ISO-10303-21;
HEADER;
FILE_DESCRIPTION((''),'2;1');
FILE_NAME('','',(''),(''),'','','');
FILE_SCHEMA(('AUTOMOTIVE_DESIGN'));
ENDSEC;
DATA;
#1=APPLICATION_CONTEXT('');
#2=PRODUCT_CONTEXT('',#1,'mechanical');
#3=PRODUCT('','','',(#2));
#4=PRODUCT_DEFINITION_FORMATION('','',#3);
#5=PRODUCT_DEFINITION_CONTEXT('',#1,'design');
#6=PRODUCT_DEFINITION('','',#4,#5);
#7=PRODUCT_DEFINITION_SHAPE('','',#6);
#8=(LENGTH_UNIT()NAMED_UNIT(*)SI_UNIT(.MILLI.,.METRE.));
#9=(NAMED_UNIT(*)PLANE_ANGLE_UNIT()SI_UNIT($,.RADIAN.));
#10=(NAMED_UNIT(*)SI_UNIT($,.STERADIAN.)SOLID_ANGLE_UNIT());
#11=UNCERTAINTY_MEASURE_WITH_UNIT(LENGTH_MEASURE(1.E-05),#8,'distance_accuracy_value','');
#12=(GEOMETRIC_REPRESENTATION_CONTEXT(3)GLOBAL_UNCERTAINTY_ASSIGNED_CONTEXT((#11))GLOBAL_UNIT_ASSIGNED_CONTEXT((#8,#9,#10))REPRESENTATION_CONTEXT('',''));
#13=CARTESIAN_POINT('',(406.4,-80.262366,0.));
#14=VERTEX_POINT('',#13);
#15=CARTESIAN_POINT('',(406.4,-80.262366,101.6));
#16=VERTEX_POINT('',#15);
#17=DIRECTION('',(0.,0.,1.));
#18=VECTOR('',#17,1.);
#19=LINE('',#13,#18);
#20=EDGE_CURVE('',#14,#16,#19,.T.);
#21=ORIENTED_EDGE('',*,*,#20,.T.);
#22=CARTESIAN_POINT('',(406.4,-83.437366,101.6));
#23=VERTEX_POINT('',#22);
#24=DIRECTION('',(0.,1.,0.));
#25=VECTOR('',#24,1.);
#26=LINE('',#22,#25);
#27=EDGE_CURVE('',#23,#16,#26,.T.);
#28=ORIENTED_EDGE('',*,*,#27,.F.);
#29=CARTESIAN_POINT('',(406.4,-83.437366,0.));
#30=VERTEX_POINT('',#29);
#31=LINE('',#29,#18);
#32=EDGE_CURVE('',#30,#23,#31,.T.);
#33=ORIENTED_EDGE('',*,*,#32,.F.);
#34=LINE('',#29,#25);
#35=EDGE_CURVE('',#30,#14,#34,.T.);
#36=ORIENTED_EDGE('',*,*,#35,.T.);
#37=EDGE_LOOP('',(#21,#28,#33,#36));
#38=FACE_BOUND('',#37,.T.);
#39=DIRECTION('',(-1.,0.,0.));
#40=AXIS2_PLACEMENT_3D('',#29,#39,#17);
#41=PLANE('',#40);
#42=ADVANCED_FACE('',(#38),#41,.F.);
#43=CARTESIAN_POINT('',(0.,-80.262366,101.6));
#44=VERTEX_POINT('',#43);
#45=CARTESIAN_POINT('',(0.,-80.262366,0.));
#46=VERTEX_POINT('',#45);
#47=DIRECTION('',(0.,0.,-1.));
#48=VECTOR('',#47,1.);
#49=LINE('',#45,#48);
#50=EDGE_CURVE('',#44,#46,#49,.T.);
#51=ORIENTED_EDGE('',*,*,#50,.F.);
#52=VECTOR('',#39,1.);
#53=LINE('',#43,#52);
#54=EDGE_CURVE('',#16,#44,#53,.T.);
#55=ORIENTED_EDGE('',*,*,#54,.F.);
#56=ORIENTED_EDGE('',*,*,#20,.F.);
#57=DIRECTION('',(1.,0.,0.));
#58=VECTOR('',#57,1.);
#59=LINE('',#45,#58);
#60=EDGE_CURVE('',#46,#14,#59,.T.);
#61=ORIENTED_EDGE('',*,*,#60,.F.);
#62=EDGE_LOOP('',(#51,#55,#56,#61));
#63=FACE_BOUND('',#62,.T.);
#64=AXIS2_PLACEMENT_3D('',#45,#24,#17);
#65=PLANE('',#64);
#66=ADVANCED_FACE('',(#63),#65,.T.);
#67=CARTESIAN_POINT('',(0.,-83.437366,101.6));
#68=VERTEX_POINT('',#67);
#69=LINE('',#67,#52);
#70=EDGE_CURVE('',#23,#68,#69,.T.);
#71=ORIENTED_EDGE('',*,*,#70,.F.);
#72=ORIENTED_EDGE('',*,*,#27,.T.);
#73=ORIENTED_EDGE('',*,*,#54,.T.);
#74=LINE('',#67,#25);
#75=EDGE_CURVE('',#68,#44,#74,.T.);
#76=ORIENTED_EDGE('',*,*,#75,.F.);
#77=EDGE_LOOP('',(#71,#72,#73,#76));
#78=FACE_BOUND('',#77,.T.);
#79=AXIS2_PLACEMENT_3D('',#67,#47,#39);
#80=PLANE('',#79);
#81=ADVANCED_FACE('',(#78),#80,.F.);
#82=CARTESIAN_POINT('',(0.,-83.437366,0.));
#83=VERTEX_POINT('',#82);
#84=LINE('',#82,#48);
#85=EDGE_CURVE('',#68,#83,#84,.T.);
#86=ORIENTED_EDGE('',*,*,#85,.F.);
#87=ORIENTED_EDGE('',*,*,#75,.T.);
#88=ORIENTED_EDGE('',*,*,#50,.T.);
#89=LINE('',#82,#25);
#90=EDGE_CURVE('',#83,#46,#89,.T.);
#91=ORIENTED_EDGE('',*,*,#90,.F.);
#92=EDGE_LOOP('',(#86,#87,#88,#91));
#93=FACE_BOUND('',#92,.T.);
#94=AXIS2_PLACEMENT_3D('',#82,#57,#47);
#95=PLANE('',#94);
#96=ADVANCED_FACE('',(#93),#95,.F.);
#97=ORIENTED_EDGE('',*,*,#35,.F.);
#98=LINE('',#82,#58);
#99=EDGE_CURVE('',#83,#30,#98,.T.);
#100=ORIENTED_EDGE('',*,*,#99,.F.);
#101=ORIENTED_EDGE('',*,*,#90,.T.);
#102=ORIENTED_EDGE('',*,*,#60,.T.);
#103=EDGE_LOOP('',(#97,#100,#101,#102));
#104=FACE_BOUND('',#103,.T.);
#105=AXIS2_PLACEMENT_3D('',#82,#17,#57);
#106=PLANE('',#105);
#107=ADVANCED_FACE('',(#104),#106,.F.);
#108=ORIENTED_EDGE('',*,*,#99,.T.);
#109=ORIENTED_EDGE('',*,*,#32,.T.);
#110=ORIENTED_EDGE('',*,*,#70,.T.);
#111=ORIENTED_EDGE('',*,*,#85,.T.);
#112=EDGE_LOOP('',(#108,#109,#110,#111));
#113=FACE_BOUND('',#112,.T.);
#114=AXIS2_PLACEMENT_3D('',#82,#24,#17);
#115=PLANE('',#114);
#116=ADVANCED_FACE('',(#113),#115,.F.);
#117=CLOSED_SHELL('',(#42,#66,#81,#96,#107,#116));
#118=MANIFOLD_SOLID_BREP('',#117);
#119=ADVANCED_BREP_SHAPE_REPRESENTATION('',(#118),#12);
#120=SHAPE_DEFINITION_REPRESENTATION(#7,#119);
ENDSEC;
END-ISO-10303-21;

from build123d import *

# Parameters (mm, degrees)
SKETCH1_W           = 406.4
SKETCH1_H           = 101.6
BOSS_EXTRUDE1_DEPTH = 3.175


with BuildPart() as part:
    # Sketch1 → Boss-Extrude1 (new body)
    with BuildSketch(Plane.XZ.offset(80.26236602)):
        with Locations((203.2, 50.8)):
            Rectangle(SKETCH1_W, SKETCH1_H)
    extrude(amount=BOSS_EXTRUDE1_DEPTH)


solid = part.part
